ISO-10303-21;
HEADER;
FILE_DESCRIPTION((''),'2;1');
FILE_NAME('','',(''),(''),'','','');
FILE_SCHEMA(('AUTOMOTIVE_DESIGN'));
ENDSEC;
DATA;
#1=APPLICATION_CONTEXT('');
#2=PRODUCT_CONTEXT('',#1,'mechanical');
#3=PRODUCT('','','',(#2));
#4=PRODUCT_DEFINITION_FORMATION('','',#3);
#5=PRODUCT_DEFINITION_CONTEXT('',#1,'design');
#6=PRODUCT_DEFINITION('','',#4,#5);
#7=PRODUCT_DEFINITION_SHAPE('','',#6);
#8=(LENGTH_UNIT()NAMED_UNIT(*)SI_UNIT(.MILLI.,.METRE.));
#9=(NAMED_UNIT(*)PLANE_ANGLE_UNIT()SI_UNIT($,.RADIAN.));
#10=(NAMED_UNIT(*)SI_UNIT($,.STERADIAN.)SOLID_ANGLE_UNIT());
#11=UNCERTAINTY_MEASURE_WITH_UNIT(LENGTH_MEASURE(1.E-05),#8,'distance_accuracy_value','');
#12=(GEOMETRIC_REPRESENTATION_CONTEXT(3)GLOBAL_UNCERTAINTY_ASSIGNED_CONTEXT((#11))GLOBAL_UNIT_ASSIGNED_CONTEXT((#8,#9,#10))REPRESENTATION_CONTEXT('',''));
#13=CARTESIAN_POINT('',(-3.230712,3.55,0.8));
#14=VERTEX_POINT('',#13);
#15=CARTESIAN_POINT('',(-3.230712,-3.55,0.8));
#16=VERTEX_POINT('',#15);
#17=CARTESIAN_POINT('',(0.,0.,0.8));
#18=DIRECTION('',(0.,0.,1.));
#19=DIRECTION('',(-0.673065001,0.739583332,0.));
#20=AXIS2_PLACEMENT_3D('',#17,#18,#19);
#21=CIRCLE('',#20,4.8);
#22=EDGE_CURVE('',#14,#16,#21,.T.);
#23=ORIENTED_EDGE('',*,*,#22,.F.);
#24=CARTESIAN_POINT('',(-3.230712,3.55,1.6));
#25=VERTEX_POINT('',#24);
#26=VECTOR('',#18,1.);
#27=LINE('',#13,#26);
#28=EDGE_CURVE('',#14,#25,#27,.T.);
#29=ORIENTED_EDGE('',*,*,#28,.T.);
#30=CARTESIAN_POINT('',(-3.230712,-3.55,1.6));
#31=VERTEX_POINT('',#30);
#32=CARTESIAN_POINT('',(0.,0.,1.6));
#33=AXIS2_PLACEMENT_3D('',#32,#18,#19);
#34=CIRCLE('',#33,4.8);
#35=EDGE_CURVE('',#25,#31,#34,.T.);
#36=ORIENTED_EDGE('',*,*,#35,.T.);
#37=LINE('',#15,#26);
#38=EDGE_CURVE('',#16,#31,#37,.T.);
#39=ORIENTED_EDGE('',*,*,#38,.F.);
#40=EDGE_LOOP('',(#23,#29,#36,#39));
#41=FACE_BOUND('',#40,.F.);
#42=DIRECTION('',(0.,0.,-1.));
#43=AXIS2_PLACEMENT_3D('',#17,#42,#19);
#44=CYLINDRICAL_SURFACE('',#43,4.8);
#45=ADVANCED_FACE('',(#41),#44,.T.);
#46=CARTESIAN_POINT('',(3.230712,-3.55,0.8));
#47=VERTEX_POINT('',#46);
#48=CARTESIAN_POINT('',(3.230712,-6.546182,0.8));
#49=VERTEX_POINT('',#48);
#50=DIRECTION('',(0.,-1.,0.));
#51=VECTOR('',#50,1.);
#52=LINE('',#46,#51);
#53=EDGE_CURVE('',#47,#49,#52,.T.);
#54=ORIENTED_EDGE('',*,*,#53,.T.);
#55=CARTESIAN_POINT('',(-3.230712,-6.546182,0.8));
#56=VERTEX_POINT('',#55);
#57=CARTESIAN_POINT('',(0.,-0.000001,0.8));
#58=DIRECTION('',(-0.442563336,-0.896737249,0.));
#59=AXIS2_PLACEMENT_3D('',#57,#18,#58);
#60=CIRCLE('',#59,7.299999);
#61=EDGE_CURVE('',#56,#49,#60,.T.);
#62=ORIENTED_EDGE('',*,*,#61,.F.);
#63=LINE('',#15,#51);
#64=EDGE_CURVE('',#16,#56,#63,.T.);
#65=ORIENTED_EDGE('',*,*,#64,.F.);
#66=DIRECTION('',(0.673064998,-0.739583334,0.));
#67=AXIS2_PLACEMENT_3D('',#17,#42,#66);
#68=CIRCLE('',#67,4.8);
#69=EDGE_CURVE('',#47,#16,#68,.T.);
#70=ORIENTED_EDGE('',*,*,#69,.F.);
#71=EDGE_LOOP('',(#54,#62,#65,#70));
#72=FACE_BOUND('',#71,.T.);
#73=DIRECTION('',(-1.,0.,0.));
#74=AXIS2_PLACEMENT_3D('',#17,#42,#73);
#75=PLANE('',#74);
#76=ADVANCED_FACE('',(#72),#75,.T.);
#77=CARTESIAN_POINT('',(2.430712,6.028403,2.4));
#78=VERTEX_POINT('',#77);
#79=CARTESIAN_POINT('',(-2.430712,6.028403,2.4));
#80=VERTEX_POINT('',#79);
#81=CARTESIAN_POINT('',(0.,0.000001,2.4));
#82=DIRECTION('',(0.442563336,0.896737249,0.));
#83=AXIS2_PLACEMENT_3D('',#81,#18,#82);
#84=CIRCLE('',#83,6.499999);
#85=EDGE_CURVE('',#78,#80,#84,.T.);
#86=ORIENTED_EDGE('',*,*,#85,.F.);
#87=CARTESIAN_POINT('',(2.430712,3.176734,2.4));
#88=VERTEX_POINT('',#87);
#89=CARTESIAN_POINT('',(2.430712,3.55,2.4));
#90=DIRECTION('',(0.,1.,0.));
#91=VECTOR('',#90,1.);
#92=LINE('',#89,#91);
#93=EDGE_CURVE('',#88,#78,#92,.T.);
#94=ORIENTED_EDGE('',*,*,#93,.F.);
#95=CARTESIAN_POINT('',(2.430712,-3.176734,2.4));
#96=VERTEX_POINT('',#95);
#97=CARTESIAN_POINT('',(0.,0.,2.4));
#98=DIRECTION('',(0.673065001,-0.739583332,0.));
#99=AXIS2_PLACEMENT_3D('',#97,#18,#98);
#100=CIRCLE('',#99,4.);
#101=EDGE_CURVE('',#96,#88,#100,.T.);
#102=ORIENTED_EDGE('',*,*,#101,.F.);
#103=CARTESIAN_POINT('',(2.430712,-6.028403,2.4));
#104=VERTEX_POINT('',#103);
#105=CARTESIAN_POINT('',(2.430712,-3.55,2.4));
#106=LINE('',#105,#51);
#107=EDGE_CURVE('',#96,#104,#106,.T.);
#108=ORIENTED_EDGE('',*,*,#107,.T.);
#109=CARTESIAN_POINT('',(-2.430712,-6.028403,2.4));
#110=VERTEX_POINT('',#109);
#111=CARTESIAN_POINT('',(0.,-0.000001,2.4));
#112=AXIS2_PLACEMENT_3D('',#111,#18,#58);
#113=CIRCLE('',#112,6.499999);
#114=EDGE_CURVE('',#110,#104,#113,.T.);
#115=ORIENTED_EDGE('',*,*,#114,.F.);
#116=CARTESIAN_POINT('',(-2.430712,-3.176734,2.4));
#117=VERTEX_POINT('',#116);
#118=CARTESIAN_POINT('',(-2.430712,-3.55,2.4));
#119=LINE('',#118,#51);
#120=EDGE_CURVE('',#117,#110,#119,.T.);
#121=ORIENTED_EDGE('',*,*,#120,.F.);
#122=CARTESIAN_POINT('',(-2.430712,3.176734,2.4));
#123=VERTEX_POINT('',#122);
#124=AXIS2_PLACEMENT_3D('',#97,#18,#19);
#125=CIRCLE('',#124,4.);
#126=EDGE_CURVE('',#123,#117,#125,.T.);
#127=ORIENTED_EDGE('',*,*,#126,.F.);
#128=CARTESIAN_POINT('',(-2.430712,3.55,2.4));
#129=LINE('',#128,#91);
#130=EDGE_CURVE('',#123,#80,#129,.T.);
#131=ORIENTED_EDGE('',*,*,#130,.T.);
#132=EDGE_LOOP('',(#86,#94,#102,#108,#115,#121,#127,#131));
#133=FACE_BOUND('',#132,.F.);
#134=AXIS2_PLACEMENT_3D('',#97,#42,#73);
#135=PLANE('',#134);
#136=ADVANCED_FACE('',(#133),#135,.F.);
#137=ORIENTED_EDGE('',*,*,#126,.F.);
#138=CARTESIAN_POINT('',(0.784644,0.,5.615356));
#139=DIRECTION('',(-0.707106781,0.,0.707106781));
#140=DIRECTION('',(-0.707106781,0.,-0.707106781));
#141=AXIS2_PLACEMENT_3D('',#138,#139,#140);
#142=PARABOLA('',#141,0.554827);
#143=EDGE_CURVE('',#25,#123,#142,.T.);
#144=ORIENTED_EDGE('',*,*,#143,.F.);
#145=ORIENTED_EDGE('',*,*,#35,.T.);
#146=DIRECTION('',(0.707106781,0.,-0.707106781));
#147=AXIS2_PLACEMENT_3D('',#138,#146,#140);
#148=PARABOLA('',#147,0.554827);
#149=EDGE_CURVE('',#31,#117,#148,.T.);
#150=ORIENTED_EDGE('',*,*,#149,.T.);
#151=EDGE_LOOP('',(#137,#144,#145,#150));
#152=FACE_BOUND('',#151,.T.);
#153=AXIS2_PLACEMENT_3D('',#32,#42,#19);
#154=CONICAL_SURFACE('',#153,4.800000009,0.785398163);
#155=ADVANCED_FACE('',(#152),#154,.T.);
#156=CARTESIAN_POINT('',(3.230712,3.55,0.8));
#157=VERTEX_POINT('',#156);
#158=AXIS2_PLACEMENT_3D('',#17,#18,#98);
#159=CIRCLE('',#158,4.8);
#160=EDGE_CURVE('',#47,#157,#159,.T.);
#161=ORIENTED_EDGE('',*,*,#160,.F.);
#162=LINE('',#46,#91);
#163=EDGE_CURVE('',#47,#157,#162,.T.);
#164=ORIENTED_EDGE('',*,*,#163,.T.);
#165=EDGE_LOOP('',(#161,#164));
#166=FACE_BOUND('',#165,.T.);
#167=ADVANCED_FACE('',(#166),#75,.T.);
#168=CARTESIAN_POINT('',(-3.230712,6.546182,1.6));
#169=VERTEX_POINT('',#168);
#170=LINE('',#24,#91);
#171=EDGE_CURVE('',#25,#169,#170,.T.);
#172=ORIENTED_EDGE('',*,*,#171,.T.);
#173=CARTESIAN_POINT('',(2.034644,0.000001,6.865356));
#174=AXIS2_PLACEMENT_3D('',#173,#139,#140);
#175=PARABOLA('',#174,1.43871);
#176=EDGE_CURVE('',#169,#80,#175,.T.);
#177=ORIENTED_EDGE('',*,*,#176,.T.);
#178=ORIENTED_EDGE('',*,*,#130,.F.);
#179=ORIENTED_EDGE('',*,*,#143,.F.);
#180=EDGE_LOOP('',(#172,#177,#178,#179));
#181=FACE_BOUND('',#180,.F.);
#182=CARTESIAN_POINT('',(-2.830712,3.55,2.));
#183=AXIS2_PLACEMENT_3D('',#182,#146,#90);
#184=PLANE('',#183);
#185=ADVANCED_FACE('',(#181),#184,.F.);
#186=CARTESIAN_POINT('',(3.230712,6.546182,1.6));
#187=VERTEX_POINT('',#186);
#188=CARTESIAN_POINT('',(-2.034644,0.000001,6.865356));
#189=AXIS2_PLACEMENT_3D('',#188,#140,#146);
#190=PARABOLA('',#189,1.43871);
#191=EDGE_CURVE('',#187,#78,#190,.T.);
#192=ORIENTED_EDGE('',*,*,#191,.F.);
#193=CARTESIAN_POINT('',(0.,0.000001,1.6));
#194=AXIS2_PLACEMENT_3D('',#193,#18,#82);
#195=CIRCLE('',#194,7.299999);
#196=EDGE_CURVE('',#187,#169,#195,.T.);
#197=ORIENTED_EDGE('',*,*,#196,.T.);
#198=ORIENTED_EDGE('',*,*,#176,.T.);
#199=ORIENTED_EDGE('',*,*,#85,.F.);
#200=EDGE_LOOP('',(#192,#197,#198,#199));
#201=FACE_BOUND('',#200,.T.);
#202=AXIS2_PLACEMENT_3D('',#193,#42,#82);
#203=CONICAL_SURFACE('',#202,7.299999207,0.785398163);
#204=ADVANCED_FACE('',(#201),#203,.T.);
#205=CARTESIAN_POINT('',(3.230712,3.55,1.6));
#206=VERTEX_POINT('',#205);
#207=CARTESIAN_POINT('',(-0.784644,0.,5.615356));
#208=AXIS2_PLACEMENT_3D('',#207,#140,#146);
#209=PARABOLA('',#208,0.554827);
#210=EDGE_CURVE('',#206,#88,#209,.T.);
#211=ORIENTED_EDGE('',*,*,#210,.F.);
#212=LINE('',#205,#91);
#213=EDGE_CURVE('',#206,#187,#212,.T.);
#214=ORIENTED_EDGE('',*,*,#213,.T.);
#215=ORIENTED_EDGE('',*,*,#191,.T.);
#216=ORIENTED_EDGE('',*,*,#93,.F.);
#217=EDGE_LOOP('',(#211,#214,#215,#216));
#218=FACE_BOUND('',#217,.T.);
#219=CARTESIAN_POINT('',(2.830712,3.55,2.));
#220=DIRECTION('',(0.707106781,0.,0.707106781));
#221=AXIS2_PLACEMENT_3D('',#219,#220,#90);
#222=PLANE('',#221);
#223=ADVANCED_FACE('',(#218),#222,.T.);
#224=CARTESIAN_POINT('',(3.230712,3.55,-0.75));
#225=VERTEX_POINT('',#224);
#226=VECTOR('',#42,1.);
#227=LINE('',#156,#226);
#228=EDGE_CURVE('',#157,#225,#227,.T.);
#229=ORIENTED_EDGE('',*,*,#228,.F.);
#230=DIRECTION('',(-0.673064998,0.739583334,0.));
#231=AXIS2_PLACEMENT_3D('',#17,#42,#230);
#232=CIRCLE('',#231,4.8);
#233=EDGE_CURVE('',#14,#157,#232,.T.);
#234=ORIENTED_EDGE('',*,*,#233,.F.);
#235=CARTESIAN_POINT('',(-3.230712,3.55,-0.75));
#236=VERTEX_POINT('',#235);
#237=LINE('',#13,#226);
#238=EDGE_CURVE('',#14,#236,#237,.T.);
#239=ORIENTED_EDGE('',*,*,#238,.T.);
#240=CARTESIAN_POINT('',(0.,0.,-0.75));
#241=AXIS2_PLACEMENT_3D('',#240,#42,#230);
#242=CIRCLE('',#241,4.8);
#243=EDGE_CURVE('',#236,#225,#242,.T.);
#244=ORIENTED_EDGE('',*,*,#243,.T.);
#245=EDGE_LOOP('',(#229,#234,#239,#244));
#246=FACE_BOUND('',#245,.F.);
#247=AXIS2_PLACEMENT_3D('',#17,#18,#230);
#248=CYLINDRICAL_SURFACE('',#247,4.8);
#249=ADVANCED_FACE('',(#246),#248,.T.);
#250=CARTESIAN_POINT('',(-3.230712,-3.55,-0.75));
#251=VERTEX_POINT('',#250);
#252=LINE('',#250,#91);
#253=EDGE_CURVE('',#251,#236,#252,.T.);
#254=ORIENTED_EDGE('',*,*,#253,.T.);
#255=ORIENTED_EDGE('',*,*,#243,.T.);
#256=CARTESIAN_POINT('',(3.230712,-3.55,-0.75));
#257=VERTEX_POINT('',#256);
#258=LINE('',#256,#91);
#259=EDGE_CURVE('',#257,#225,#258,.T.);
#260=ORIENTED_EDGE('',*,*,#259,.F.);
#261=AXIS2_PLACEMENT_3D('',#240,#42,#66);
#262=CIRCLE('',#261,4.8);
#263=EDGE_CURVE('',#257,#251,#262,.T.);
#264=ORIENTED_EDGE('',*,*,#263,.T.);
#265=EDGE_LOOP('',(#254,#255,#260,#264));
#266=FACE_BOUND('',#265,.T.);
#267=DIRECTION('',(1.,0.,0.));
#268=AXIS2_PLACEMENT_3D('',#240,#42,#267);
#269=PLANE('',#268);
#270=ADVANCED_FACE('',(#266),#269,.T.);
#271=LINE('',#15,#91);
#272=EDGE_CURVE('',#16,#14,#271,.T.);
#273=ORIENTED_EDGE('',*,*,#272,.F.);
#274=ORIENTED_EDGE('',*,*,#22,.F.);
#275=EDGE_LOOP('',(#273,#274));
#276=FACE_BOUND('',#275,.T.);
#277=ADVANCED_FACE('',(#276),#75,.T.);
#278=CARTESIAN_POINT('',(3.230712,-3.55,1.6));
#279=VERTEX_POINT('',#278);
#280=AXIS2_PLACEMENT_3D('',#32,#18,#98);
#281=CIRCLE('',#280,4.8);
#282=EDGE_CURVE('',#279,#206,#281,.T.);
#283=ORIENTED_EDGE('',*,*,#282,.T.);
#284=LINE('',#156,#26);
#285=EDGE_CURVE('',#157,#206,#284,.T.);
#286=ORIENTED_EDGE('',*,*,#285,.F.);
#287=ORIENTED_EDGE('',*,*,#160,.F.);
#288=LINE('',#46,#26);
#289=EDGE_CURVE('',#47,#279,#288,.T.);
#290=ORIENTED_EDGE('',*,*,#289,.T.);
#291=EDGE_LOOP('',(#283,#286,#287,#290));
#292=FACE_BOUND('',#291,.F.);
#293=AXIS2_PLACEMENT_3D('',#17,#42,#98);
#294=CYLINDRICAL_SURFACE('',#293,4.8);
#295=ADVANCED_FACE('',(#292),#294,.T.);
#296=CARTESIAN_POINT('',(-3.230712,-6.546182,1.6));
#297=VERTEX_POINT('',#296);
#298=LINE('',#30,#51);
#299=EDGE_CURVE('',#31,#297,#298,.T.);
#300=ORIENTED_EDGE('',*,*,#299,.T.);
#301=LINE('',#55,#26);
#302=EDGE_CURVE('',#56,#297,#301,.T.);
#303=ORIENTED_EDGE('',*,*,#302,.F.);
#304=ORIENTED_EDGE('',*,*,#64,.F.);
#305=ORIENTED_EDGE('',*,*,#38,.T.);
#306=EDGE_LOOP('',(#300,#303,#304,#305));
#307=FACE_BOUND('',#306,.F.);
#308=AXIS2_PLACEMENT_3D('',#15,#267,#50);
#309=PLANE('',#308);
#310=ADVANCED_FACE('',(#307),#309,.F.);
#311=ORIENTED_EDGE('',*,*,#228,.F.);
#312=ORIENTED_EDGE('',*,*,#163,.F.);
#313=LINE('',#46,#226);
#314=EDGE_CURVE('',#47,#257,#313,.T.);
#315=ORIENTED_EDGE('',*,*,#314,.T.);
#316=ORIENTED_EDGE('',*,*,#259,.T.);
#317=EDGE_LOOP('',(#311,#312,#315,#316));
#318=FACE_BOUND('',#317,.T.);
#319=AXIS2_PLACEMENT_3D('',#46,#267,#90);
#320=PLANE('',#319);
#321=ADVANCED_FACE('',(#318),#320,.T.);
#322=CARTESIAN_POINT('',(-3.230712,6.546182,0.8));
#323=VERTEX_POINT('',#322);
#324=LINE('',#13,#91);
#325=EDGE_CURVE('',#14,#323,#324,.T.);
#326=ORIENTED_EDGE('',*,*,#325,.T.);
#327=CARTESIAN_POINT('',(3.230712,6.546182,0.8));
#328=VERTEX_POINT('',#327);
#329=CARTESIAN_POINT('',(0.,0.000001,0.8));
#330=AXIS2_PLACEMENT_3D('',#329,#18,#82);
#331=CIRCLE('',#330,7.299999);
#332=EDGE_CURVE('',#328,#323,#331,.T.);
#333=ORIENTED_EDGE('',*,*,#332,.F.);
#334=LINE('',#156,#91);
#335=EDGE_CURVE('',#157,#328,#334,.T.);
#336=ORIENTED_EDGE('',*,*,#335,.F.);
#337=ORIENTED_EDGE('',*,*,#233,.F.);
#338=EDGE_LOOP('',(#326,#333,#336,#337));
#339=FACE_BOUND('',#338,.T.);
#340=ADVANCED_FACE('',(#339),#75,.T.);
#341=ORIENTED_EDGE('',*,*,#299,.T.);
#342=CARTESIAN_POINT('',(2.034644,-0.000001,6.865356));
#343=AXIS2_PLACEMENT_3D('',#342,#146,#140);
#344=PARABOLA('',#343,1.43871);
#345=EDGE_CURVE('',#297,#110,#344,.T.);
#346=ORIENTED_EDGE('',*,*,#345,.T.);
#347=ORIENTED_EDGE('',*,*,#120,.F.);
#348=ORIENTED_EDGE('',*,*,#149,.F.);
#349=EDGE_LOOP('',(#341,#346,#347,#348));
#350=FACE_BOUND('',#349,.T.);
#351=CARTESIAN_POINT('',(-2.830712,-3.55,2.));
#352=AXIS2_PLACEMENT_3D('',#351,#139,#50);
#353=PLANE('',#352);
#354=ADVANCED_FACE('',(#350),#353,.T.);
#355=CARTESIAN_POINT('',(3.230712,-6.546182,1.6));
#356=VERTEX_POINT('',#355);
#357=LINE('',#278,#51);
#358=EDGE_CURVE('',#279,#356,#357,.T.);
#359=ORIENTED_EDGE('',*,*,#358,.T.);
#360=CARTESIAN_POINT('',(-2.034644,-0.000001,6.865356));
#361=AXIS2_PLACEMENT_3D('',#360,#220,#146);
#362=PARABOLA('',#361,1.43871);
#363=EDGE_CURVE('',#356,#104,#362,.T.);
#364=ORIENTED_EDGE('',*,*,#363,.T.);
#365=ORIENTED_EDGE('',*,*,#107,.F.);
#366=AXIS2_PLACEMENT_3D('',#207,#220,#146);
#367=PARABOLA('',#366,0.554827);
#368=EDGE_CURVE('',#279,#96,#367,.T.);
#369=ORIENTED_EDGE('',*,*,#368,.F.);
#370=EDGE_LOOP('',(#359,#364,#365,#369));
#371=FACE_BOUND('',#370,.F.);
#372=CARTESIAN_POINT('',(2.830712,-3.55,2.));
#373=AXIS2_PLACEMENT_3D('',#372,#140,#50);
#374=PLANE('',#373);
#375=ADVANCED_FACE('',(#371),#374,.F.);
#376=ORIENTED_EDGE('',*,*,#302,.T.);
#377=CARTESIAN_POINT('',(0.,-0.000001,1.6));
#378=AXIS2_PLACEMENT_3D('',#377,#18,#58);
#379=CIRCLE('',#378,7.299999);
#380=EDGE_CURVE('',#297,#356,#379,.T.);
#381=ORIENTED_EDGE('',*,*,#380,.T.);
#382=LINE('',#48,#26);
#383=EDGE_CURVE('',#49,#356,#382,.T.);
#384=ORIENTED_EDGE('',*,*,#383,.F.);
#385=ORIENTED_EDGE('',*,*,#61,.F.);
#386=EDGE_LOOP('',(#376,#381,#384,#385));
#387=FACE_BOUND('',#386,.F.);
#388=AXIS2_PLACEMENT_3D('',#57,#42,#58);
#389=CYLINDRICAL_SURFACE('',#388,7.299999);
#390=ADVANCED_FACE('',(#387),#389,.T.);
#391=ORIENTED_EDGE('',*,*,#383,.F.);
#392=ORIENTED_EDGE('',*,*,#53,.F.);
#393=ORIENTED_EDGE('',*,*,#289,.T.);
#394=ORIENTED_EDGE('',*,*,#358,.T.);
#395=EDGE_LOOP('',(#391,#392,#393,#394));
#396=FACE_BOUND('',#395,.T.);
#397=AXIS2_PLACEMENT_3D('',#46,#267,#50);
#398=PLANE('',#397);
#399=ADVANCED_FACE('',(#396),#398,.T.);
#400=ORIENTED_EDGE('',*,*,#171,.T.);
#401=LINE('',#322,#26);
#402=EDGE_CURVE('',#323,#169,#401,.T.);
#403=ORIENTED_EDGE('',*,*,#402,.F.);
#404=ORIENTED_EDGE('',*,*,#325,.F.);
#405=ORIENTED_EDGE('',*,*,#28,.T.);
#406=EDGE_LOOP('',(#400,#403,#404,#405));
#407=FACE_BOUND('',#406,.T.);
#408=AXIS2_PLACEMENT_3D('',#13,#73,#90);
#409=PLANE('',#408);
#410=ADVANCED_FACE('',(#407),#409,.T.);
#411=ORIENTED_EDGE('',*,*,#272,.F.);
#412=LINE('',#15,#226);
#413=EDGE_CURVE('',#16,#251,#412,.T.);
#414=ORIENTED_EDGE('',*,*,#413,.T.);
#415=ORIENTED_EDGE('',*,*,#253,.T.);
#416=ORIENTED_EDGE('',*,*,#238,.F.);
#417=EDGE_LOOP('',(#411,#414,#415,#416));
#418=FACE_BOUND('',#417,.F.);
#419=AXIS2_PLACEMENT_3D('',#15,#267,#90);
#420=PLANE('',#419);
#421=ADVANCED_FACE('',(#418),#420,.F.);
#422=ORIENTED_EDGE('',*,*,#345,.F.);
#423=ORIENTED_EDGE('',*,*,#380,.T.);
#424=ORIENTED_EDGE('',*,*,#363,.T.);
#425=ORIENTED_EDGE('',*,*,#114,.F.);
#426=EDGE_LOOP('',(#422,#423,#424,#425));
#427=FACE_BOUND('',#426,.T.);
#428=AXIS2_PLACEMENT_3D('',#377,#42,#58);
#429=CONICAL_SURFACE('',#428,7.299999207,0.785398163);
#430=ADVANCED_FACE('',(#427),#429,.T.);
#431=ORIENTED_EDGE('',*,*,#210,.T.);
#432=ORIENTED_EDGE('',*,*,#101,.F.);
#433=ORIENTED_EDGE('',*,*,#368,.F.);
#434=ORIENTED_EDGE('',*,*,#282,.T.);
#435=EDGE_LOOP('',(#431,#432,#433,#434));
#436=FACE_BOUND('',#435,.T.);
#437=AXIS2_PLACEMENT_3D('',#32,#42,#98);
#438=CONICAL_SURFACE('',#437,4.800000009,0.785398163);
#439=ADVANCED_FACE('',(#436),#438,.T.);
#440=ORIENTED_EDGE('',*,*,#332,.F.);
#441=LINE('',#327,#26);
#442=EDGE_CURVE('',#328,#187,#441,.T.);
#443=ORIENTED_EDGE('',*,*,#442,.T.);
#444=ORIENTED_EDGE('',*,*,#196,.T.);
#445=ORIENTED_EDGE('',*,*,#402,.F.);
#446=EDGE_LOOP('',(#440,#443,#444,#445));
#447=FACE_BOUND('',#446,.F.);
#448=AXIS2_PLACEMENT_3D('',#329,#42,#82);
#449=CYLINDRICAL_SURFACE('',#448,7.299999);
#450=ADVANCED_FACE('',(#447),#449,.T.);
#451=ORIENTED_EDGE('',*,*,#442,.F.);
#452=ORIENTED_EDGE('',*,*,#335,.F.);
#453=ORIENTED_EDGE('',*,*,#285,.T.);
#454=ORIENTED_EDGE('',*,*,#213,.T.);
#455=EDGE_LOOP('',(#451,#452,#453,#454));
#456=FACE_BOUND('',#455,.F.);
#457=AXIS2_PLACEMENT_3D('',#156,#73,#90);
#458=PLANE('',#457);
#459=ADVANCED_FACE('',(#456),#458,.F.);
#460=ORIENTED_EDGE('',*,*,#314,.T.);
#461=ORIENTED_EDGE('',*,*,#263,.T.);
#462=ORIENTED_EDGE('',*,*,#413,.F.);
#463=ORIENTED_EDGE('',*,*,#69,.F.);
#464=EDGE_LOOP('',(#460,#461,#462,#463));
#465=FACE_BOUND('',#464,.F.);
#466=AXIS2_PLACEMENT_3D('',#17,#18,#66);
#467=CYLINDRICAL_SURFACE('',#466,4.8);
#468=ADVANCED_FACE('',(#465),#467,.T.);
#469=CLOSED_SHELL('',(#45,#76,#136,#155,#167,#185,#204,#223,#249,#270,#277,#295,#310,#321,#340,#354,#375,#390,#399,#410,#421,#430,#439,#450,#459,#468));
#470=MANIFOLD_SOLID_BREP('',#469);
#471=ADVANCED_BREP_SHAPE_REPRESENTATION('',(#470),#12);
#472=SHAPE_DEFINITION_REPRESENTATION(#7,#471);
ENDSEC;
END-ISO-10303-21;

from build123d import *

# Parameters (mm, degrees)
PAD007_DEPTH = 1.6
CHAMFER_SIZE = 0.8
PAD008_DEPTH = 1.55


with BuildPart() as part:
    # Sketch011 → Pad007 (new body)
    with BuildSketch(Plane.XY):
        with BuildLine():
            Line((-3.230712, 3.55), (-3.230712, 6.546182))
            ThreePointArc((3.230712, 6.546182), (0, 7.3), (-3.230712, 6.546182))
            Line((3.230712, 3.55), (3.230712, 6.546182))
            ThreePointArc((3.230712, -3.55), (4.8, 0), (3.230712, 3.55))
            Line((3.230712, -3.55), (3.230712, -6.546182))
            ThreePointArc((-3.230712, -6.546182), (0, -7.3), (3.230712, -6.546182))
            Line((-3.230712, -3.55), (-3.230712, -6.546182))
            ThreePointArc((-3.230712, 3.55), (-4.8, 0), (-3.230712, -3.55))
        make_face()
    extrude(amount=PAD007_DEPTH)

    # Chamfer
    chamfer_edges = [part.edges().sort_by_distance(p)[0] for p in [
        (-4.8, 0, 1.6),
        (-3.230712, -5.048091, 1.6),
        (0, -7.3, 1.6),
        (3.230712, -5.048091, 1.6),
        (4.8, 0, 1.6),
        (3.230712, 5.048091, 1.6),
        (0, 7.3, 1.6),
        (-3.230712, 5.048091, 1.6),
    ]]
    chamfer(chamfer_edges, length=CHAMFER_SIZE)

    # Sketch013 (on Face4 of Chamfer) → Pad008 (join)
    with BuildSketch(Plane(origin=(0, 0, 0), x_dir=(1, 0, 0), z_dir=(0, 0, -1))):
        with BuildLine():
            Line((-3.230712, 3.55), (-3.230712, -3.55))
            ThreePointArc((-3.230712, -3.55), (0, -4.8), (3.230712, -3.55))
            Line((3.230712, 3.55), (3.230712, -3.55))
            ThreePointArc((3.230712, 3.55), (0, 4.8), (-3.230712, 3.55))
        make_face()
    extrude(amount=PAD008_DEPTH)


with BuildPart() as part_1:
    # Body002 placement: moved
    add(part.part.moved(Location((0, 0, 0.8))))


solid = part_1.part
